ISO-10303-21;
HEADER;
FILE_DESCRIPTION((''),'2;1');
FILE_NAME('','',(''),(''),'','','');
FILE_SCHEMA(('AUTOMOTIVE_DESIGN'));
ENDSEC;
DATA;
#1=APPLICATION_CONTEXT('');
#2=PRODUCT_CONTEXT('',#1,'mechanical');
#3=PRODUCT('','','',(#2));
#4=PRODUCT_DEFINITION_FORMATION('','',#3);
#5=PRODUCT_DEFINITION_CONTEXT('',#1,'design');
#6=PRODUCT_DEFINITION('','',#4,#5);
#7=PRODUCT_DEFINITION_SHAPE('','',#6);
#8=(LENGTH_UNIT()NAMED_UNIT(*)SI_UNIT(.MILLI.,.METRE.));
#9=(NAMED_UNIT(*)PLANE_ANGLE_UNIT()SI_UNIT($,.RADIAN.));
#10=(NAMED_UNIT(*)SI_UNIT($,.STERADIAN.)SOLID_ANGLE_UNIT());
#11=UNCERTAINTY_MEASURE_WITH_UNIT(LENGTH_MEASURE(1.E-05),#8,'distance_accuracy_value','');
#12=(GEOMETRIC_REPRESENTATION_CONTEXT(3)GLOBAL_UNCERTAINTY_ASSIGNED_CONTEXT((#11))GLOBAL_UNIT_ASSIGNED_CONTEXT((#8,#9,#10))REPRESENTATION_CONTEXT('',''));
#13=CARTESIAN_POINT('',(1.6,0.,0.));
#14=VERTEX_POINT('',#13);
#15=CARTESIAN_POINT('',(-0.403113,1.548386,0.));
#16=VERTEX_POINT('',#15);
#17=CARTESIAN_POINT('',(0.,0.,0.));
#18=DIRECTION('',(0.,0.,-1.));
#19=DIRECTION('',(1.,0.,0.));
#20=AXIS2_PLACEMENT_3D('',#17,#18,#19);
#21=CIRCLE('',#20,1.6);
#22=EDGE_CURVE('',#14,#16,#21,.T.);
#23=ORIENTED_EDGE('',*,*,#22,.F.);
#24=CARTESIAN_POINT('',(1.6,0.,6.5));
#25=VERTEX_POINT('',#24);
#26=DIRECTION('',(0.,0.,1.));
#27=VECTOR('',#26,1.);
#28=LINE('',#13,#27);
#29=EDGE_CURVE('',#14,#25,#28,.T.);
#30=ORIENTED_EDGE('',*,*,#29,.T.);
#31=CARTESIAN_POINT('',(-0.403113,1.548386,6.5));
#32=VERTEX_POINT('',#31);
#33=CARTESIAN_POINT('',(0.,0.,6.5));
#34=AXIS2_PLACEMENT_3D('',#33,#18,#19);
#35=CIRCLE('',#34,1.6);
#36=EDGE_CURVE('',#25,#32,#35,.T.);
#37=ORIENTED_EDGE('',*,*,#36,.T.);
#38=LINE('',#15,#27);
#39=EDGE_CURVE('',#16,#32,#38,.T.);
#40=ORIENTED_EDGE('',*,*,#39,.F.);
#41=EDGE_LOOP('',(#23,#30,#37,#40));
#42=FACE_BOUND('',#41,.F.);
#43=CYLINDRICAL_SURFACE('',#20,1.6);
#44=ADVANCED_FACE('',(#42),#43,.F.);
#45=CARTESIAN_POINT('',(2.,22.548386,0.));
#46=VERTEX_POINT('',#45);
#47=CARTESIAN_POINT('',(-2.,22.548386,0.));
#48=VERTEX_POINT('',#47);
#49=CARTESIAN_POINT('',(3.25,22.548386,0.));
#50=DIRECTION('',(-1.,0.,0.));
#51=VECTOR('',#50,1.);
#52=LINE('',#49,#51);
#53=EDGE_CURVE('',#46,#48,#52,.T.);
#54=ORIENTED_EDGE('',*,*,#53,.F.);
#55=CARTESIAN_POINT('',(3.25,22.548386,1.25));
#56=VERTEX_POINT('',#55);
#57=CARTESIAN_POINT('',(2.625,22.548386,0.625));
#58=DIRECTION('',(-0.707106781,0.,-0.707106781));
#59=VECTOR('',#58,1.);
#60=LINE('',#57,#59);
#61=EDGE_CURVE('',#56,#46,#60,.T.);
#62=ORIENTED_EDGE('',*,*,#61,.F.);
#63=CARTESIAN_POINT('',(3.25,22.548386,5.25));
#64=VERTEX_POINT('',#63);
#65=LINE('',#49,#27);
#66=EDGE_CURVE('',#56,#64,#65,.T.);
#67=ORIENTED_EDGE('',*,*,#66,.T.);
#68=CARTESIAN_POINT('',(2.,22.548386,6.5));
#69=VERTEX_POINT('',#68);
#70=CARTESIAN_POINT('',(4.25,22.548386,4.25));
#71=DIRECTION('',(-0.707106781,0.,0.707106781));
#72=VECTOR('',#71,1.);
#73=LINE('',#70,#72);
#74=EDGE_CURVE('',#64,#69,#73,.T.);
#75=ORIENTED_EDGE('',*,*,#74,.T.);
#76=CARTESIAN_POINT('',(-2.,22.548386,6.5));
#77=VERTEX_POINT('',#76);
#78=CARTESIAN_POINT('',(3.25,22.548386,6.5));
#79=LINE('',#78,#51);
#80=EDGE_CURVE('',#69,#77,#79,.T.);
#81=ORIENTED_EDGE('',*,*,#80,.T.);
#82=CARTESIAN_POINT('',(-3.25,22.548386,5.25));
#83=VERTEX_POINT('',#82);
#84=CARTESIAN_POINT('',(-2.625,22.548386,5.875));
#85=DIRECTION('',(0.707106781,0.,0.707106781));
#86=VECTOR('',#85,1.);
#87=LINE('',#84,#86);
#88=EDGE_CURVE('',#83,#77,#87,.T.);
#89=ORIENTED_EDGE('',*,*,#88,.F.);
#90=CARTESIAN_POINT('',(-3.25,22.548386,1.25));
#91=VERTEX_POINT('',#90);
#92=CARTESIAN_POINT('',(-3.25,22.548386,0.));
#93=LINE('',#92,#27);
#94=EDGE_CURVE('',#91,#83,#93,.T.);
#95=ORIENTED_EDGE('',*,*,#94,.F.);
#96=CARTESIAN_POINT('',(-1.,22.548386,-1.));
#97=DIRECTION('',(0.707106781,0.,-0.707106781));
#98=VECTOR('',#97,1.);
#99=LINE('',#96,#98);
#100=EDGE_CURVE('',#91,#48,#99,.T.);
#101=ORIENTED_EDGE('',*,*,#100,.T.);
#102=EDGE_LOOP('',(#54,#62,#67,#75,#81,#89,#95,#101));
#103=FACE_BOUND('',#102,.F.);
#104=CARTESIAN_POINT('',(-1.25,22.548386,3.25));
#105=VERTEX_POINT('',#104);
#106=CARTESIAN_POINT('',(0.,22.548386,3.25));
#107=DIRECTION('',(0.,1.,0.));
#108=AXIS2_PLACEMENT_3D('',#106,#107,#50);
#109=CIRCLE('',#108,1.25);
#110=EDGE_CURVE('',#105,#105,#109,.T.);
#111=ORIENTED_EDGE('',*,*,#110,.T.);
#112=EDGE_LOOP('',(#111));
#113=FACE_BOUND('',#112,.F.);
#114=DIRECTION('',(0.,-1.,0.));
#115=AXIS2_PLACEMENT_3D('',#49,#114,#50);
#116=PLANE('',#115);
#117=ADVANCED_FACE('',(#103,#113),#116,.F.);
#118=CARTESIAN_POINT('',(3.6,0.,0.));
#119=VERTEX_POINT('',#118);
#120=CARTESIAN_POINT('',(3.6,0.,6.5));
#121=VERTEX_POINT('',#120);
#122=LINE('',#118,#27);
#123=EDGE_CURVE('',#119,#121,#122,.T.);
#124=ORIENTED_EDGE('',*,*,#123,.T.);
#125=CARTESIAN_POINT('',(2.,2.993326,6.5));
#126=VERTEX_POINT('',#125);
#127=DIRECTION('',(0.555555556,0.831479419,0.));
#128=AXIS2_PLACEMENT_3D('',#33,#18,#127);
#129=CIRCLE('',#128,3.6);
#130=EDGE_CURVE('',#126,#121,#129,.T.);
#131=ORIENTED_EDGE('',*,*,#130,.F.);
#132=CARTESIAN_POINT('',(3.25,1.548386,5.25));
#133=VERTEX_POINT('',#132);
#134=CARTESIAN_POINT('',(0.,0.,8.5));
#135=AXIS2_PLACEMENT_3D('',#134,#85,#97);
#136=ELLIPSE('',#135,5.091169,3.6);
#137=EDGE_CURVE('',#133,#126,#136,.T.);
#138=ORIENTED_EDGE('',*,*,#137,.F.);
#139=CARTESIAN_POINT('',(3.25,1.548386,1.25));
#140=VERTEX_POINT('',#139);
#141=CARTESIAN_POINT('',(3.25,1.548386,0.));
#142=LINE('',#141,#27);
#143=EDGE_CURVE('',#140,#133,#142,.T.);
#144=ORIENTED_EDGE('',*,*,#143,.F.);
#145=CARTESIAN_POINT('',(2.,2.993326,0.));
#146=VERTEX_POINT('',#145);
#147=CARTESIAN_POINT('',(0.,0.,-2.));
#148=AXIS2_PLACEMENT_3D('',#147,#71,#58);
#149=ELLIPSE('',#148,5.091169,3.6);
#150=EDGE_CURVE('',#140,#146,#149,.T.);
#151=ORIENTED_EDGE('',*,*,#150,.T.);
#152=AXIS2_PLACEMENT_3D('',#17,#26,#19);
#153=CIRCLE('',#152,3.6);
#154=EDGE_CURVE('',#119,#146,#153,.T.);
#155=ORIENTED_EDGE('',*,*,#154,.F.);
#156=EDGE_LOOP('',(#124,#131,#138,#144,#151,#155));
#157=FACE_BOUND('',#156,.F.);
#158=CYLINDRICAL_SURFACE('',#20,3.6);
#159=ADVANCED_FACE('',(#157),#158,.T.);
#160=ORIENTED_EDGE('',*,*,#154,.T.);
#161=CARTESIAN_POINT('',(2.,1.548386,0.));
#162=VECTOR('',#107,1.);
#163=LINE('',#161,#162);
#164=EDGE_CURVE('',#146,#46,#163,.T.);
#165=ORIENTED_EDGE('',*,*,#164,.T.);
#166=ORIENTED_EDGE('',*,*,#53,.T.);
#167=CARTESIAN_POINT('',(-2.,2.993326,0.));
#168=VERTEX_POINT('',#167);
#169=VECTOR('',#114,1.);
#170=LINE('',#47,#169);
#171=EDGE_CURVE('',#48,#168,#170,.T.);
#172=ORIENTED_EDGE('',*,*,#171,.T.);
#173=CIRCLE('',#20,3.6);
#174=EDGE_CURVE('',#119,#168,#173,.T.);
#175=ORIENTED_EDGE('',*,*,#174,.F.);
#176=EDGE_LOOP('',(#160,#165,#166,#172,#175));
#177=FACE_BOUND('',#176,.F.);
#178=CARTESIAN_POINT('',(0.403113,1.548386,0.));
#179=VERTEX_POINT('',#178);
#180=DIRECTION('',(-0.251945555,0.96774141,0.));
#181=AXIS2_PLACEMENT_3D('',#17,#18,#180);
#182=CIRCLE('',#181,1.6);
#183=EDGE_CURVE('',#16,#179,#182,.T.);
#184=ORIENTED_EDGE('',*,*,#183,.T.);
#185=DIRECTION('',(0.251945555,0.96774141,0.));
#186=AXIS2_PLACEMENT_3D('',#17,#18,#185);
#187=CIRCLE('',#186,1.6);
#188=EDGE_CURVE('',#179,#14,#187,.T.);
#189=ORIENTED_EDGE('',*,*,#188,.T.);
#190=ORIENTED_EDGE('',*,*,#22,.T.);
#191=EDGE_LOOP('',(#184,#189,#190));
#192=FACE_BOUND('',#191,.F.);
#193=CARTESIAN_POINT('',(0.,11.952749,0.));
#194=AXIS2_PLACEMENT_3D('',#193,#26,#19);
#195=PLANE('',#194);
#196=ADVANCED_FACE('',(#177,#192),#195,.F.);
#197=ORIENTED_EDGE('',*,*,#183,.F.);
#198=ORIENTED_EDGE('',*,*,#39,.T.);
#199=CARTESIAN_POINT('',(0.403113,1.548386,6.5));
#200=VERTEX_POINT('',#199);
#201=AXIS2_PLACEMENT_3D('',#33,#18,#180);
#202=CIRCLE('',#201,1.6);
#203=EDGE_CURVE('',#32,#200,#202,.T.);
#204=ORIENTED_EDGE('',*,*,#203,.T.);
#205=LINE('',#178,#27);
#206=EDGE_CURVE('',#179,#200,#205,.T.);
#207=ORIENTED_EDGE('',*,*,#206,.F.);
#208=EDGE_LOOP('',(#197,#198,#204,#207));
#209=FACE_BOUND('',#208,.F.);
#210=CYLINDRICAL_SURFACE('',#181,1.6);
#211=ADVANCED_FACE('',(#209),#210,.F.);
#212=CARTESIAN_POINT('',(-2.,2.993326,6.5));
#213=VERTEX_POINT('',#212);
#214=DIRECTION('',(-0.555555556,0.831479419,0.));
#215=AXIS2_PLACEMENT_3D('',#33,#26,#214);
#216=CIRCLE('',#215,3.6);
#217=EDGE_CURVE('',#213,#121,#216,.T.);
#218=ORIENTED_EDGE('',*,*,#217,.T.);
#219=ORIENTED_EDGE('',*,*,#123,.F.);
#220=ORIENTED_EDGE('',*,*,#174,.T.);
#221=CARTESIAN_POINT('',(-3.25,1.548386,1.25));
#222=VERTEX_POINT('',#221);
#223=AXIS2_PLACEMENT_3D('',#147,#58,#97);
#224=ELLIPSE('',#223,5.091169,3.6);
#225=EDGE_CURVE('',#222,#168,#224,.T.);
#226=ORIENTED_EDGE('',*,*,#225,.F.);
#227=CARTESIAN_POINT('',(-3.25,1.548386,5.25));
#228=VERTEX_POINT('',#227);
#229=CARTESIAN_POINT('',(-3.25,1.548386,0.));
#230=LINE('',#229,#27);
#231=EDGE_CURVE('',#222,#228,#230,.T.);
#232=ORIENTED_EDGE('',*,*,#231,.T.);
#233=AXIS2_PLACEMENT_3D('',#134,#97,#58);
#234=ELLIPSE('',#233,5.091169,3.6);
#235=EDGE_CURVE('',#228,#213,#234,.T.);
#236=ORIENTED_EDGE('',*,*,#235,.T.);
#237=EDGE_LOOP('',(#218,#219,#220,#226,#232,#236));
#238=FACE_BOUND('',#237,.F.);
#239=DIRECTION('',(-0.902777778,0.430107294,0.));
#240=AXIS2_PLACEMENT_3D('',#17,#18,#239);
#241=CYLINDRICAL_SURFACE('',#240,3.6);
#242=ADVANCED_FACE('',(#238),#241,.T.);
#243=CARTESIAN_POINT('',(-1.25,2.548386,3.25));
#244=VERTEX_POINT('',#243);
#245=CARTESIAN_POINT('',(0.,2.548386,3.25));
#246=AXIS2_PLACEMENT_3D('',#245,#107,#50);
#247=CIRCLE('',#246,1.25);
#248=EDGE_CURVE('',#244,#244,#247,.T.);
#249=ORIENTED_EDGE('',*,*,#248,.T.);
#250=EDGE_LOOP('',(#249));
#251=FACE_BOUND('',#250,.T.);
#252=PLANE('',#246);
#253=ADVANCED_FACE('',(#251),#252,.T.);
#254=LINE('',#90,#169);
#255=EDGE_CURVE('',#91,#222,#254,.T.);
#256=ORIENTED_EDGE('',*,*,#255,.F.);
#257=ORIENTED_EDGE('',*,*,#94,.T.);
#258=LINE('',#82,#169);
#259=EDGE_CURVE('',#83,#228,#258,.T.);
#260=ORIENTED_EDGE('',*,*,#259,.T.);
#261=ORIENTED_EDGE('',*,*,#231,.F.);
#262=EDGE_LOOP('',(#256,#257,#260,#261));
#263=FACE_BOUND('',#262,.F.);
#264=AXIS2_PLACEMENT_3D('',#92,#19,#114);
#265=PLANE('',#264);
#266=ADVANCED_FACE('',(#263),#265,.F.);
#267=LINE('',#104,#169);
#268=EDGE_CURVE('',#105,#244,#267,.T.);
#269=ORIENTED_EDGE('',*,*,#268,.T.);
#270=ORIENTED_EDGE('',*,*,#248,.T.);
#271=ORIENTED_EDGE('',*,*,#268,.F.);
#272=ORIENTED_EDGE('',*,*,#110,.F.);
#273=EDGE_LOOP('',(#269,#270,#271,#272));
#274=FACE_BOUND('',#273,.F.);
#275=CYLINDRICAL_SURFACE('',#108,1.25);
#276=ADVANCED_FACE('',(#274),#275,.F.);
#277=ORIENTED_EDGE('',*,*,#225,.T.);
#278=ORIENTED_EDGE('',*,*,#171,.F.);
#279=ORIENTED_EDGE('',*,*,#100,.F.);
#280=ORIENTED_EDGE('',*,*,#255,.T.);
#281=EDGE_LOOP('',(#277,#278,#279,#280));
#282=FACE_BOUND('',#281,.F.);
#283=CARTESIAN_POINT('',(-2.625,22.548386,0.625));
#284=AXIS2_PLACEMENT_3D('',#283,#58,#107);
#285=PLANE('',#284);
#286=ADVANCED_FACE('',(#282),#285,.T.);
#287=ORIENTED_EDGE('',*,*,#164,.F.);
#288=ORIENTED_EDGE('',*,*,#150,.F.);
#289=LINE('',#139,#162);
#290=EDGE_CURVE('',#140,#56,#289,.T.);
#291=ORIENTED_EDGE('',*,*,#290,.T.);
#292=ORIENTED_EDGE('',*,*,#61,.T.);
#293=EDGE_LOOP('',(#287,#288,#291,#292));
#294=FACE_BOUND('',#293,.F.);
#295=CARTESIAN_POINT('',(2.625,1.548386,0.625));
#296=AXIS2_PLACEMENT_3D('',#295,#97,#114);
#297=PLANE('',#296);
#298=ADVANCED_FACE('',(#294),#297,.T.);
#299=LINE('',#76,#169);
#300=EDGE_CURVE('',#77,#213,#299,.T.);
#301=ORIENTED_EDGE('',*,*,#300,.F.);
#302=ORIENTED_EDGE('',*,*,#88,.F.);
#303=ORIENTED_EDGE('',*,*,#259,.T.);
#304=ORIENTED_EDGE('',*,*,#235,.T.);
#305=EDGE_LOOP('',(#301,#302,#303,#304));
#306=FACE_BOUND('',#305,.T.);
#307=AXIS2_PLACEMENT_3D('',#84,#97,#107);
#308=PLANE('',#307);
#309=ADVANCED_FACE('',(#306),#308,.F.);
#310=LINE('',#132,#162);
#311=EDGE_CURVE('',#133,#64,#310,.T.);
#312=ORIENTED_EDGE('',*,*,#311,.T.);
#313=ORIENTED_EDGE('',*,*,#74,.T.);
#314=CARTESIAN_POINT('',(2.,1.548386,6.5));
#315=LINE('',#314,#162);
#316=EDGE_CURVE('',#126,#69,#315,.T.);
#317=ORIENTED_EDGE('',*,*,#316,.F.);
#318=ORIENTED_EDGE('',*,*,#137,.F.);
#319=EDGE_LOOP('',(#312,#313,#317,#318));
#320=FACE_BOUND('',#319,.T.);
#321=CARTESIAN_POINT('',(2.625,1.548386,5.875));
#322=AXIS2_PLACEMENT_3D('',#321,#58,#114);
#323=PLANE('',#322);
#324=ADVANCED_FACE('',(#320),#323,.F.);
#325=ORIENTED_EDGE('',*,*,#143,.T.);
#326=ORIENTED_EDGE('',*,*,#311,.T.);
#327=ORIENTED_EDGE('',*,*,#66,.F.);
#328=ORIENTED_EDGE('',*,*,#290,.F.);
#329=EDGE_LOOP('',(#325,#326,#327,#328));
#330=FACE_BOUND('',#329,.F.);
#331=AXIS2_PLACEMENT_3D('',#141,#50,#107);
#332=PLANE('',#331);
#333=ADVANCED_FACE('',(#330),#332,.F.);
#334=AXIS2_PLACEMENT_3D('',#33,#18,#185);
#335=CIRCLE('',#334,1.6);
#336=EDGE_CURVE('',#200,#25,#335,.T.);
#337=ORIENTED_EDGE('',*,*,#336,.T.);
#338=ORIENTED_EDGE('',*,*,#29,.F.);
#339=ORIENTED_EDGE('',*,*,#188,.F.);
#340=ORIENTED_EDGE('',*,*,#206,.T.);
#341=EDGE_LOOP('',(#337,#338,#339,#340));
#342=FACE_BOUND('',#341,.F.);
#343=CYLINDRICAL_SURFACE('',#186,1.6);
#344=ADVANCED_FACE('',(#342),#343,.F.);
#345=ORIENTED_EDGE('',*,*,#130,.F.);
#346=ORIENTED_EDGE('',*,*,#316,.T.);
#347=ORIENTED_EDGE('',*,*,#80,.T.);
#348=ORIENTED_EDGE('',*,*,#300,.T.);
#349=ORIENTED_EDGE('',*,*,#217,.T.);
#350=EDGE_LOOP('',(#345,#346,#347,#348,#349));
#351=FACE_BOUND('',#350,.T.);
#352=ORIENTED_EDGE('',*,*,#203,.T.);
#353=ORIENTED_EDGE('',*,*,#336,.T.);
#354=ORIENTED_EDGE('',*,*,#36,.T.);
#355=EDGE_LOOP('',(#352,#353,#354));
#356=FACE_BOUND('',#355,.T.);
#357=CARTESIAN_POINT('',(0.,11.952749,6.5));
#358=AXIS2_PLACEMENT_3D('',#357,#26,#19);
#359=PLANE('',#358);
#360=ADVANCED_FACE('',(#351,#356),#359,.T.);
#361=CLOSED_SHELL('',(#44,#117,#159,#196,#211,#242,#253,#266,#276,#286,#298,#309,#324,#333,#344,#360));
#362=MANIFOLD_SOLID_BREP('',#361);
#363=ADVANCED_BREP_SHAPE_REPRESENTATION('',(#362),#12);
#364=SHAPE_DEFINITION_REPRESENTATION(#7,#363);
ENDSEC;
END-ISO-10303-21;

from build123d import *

# Parameters (mm, degrees)
F3_DEPTH = 6.5
F4_SIZE  = 1.25
F5_R     = 1.25
F6_DEPTH = 20


with BuildPart() as f3:
    # F2 (on Top) → F3 (new body)
    with BuildSketch(Plane.XY):
        with BuildLine():
            ThreePointArc((-3.25, 1.5483862567), (0, 3.6), (3.25, 1.5483862567))
            Line((3.25, 1.5483862567), (3.25, 22.5483862567))
            Line((3.25, 22.5483862567), (-3.25, 22.5483862567))
            Line((-3.25, 22.5483862567), (-3.25, 1.5483862567))
        make_face()
        with BuildLine():
            ThreePointArc((-0.4031128874, 1.5483862567), (0, 1.6), (0.4031128874, 1.5483862567))
            Line((0.4031128874, 1.5483862567), (3.25, 1.5483862567))
            ThreePointArc((3.25, 1.5483862567), (0, 3.6), (-3.25, 1.5483862567))
            Line((-3.25, 1.5483862567), (-0.4031128874, 1.5483862567))
        make_face()
        with BuildLine():
            ThreePointArc((0.4031128874, 1.5483862567), (1.2658950628, 0.9785242409), (1.6, 0))
            ThreePointArc((1.6, 0), (-0.9785242409, -1.2658950628), (-0.4031128874, 1.5483862567))
            Line((-0.4031128874, 1.5483862567), (-3.25, 1.5483862567))
            ThreePointArc((-3.25, 1.5483862567), (-0.7937253933, -3.5114099732), (3.6, 0))
            ThreePointArc((3.6, 0), (3.5114099732, 0.7937253933), (3.25, 1.5483862567))
            Line((3.25, 1.5483862567), (0.4031128874, 1.5483862567))
        make_face()
    extrude(amount=F3_DEPTH)

    # F4
    f4_edges = [f3.edges().sort_by_distance(p)[0] for p in [
        (3.25, 12.048386, 6.5),
        (-3.25, 12.048386, 6.5),
        (3.25, 12.048386, 0),
        (-3.25, 12.048386, 0),
    ]]
    chamfer(f4_edges, length=F4_SIZE)

    # F5 (on face) → F6 (cut)
    with BuildSketch(Plane(origin=(0, 22.5483862567, 0), x_dir=(-1, 0, 0), z_dir=(0, 1, 0))):
        with Locations((0, 3.25)):
            Circle(F5_R)
    extrude(amount=-F6_DEPTH, mode=Mode.SUBTRACT)


solid = f3.part
